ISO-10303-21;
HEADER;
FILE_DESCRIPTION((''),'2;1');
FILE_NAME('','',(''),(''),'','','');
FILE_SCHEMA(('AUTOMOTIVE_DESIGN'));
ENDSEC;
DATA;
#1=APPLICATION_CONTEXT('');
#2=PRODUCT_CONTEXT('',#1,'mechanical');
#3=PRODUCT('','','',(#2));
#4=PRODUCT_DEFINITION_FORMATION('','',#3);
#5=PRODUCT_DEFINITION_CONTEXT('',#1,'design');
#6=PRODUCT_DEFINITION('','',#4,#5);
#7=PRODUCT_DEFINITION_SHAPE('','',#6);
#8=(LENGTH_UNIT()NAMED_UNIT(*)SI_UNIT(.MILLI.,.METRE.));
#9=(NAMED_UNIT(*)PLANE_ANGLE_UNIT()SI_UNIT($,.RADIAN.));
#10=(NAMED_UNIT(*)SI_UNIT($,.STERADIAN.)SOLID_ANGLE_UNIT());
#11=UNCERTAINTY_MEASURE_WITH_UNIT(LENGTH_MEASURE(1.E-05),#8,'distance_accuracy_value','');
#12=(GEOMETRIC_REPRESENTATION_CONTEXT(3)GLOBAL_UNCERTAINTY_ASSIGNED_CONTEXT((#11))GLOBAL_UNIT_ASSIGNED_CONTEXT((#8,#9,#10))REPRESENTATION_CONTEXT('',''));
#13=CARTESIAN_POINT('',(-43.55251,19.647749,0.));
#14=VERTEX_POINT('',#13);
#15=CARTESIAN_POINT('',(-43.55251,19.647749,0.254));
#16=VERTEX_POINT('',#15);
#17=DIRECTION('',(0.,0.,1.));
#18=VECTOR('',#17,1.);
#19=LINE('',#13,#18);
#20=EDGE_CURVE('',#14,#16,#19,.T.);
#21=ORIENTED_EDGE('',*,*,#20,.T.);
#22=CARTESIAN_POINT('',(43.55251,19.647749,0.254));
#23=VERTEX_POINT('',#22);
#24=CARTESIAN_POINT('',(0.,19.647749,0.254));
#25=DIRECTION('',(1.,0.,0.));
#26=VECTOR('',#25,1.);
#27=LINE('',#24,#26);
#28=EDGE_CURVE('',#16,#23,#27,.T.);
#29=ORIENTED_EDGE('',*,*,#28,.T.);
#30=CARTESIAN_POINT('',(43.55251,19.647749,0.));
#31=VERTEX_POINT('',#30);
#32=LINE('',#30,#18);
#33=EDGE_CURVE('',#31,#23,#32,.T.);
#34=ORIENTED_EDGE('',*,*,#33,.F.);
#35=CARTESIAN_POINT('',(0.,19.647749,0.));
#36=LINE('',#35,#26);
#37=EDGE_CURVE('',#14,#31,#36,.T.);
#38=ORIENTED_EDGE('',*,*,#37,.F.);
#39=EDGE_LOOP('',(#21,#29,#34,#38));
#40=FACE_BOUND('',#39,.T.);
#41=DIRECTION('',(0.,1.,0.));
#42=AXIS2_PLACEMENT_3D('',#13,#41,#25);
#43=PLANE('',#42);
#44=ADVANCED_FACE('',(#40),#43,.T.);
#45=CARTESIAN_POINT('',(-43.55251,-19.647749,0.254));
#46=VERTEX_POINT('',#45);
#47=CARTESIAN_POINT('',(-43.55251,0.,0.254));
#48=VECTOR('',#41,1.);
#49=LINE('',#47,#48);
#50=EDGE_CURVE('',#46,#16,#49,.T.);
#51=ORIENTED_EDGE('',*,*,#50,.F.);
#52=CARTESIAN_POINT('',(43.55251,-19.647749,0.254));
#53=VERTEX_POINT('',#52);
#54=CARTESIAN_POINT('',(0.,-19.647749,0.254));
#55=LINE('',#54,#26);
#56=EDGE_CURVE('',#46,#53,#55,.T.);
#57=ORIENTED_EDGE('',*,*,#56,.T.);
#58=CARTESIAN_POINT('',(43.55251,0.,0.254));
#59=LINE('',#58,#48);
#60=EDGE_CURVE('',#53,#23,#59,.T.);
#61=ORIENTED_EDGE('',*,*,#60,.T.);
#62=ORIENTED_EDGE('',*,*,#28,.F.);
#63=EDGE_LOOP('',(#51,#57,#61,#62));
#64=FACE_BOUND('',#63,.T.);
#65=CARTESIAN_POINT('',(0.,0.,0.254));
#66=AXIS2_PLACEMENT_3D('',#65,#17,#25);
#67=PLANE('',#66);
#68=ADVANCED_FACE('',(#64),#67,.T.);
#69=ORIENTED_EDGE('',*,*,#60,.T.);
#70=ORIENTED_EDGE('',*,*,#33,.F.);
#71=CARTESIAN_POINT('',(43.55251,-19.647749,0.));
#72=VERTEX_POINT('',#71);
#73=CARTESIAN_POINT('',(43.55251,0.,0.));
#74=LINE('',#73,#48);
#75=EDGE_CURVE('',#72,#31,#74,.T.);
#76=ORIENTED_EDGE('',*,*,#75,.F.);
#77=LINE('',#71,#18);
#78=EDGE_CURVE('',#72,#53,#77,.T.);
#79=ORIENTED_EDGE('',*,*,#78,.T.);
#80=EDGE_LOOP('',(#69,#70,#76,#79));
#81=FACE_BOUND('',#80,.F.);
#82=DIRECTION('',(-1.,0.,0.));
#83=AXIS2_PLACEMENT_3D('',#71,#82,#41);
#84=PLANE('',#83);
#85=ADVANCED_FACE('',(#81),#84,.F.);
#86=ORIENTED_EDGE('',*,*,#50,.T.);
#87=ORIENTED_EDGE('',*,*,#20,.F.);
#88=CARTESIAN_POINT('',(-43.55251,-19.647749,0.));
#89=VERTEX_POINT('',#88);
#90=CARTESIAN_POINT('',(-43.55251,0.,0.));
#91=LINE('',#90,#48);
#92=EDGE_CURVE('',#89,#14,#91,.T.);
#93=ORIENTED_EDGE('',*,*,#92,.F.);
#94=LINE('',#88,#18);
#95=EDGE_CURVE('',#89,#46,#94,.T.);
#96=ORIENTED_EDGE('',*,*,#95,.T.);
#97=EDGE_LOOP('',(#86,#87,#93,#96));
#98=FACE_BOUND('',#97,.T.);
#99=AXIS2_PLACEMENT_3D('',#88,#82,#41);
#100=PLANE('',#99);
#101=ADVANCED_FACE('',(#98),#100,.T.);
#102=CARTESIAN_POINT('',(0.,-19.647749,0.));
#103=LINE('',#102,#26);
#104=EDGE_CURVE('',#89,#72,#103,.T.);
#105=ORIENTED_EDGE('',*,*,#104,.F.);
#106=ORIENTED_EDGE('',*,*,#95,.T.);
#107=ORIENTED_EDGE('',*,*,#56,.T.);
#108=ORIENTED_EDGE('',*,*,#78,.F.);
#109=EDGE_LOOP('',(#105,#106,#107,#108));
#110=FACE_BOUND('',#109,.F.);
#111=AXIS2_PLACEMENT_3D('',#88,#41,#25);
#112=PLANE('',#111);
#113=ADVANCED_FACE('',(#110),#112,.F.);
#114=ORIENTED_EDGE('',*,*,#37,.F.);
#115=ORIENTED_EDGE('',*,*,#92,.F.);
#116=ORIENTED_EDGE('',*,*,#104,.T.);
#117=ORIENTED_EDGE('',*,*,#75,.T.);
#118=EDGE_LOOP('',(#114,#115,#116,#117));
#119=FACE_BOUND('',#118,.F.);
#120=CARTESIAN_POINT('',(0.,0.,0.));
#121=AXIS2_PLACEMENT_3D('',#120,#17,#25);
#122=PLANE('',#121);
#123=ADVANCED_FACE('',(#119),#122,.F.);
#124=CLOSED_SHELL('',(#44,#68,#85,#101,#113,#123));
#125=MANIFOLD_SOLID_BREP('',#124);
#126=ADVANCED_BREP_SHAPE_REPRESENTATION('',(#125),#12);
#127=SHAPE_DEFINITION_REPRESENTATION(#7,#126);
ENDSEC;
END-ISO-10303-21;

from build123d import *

# Parameters (mm, degrees)
F0_W     = 44.4375295192
F0_H     = 61.4943616092
F1_DEPTH = 2.54
F3_W     = 87.1050208807
F3_H     = 39.2954982817
F4_DEPTH = 0.254


with BuildPart() as f1:
    # F0 (on Front) → F1 (new body)
    with BuildSketch(Plane.XZ):
        with Locations((2.0198868588, 0)):
            Rectangle(F0_W, F0_H)
    extrude(amount=F1_DEPTH)


with BuildPart() as f4:
    # F3 (on Top) → F4 (new body)
    with BuildSketch(Plane.XY):
        Rectangle(F3_W, F3_H)
    extrude(amount=F4_DEPTH)


solid = f4.part
